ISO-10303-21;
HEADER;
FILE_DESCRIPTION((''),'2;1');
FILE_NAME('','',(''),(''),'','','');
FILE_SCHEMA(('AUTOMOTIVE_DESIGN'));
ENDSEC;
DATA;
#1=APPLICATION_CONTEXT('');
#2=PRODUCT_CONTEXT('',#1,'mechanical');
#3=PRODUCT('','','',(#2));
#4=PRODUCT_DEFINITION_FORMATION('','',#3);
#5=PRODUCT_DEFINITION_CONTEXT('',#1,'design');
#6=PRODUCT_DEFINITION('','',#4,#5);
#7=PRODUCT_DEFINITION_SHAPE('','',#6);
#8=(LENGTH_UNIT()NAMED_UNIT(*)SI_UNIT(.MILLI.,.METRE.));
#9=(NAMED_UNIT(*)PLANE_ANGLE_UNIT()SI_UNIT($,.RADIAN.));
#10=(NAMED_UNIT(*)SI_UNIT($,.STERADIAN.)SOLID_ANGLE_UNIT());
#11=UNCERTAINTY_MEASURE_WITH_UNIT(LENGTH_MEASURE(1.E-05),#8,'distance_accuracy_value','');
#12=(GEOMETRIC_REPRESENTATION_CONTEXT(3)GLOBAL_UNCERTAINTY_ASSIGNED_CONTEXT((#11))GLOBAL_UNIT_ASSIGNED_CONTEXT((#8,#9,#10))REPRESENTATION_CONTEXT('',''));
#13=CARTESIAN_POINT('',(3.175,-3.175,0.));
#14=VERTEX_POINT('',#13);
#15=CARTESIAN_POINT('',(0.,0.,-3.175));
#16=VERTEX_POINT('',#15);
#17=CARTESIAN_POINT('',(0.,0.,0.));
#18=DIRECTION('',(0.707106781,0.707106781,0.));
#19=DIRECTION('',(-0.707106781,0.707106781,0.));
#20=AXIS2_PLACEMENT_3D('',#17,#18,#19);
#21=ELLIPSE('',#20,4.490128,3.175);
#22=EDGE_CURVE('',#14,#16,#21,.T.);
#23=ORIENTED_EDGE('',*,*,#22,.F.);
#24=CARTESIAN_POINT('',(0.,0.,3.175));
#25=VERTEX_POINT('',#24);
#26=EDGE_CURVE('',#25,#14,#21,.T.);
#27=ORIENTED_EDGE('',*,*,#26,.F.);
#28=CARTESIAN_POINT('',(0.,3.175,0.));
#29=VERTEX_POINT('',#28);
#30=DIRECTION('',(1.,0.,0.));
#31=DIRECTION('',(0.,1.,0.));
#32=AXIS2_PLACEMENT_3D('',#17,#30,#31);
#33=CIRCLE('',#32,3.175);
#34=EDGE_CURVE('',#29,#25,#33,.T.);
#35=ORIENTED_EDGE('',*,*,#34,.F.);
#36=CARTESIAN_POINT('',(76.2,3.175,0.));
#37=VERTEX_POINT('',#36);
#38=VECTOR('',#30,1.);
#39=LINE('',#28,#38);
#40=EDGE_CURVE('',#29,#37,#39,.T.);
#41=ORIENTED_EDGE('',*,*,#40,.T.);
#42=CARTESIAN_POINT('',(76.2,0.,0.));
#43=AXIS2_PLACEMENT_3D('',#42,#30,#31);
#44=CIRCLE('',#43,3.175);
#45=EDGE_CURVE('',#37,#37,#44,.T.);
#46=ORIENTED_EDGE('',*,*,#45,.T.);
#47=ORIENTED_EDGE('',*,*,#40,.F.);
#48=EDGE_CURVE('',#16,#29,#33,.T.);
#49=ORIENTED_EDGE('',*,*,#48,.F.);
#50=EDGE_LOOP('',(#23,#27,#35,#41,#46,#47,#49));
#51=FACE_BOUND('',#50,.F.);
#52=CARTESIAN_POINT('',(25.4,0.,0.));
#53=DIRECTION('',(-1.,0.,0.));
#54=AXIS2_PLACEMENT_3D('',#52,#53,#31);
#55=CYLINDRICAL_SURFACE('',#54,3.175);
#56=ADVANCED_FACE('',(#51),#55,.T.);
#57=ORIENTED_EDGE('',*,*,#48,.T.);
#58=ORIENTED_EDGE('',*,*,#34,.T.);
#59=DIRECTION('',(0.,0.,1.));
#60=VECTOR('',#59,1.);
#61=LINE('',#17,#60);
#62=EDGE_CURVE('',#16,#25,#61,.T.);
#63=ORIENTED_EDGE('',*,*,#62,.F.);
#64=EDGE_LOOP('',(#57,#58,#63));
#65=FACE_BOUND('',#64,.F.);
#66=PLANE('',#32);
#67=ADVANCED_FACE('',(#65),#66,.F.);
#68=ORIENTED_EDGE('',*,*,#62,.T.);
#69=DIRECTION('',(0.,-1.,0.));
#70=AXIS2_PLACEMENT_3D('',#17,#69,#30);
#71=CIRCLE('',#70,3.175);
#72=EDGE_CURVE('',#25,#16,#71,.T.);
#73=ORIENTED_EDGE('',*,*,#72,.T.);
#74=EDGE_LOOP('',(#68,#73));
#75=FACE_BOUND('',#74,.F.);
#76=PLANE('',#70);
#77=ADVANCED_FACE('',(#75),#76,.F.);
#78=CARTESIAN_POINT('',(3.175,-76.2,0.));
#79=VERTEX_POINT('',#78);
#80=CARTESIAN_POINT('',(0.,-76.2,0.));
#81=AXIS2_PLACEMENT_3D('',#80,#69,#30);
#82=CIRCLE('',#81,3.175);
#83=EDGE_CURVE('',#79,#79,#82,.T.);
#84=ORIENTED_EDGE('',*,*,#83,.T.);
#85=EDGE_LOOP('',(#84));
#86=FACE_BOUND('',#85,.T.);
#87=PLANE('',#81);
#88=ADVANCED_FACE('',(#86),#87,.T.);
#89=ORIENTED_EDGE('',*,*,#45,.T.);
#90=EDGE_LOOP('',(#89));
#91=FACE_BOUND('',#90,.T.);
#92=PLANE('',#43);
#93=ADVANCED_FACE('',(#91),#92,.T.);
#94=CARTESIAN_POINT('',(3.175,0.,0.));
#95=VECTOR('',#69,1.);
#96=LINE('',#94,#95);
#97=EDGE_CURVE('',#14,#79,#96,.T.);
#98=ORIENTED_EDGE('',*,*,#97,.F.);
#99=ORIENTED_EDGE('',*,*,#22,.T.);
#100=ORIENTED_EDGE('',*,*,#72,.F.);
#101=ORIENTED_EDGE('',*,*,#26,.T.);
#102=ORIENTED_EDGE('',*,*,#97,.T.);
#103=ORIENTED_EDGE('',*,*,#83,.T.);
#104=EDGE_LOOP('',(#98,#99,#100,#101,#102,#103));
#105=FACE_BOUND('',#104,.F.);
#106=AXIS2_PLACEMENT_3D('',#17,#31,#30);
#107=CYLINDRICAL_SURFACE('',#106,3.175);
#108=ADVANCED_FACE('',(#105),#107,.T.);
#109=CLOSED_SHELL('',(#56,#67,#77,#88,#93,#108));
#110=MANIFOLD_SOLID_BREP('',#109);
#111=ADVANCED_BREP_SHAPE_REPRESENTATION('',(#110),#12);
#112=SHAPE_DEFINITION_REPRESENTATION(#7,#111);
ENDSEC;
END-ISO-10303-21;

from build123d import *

# Parameters (mm, degrees)
F0_R      = 3.175
F1_DEPTH  = 76.2
F2_R      = 3.175
F3_DEPTH  = 25.4
F3_FACE_R = 3.175
F4_DEPTH  = 50.8


with BuildPart() as f1:
    # F0 (on Front) → F1 (new body)
    with BuildSketch(Plane.XZ):
        Circle(F0_R)
    extrude(amount=F1_DEPTH)

    # F2 (on Right) → F3 (join)
    with BuildSketch(Plane.YZ):
        Circle(F2_R)
    extrude(amount=F3_DEPTH)

    # F3_face (on face) → F4 (join)
    with BuildSketch(Plane.YZ.offset(25.4)):
        Circle(F3_FACE_R)
    extrude(amount=F4_DEPTH)


solid = f1.part
